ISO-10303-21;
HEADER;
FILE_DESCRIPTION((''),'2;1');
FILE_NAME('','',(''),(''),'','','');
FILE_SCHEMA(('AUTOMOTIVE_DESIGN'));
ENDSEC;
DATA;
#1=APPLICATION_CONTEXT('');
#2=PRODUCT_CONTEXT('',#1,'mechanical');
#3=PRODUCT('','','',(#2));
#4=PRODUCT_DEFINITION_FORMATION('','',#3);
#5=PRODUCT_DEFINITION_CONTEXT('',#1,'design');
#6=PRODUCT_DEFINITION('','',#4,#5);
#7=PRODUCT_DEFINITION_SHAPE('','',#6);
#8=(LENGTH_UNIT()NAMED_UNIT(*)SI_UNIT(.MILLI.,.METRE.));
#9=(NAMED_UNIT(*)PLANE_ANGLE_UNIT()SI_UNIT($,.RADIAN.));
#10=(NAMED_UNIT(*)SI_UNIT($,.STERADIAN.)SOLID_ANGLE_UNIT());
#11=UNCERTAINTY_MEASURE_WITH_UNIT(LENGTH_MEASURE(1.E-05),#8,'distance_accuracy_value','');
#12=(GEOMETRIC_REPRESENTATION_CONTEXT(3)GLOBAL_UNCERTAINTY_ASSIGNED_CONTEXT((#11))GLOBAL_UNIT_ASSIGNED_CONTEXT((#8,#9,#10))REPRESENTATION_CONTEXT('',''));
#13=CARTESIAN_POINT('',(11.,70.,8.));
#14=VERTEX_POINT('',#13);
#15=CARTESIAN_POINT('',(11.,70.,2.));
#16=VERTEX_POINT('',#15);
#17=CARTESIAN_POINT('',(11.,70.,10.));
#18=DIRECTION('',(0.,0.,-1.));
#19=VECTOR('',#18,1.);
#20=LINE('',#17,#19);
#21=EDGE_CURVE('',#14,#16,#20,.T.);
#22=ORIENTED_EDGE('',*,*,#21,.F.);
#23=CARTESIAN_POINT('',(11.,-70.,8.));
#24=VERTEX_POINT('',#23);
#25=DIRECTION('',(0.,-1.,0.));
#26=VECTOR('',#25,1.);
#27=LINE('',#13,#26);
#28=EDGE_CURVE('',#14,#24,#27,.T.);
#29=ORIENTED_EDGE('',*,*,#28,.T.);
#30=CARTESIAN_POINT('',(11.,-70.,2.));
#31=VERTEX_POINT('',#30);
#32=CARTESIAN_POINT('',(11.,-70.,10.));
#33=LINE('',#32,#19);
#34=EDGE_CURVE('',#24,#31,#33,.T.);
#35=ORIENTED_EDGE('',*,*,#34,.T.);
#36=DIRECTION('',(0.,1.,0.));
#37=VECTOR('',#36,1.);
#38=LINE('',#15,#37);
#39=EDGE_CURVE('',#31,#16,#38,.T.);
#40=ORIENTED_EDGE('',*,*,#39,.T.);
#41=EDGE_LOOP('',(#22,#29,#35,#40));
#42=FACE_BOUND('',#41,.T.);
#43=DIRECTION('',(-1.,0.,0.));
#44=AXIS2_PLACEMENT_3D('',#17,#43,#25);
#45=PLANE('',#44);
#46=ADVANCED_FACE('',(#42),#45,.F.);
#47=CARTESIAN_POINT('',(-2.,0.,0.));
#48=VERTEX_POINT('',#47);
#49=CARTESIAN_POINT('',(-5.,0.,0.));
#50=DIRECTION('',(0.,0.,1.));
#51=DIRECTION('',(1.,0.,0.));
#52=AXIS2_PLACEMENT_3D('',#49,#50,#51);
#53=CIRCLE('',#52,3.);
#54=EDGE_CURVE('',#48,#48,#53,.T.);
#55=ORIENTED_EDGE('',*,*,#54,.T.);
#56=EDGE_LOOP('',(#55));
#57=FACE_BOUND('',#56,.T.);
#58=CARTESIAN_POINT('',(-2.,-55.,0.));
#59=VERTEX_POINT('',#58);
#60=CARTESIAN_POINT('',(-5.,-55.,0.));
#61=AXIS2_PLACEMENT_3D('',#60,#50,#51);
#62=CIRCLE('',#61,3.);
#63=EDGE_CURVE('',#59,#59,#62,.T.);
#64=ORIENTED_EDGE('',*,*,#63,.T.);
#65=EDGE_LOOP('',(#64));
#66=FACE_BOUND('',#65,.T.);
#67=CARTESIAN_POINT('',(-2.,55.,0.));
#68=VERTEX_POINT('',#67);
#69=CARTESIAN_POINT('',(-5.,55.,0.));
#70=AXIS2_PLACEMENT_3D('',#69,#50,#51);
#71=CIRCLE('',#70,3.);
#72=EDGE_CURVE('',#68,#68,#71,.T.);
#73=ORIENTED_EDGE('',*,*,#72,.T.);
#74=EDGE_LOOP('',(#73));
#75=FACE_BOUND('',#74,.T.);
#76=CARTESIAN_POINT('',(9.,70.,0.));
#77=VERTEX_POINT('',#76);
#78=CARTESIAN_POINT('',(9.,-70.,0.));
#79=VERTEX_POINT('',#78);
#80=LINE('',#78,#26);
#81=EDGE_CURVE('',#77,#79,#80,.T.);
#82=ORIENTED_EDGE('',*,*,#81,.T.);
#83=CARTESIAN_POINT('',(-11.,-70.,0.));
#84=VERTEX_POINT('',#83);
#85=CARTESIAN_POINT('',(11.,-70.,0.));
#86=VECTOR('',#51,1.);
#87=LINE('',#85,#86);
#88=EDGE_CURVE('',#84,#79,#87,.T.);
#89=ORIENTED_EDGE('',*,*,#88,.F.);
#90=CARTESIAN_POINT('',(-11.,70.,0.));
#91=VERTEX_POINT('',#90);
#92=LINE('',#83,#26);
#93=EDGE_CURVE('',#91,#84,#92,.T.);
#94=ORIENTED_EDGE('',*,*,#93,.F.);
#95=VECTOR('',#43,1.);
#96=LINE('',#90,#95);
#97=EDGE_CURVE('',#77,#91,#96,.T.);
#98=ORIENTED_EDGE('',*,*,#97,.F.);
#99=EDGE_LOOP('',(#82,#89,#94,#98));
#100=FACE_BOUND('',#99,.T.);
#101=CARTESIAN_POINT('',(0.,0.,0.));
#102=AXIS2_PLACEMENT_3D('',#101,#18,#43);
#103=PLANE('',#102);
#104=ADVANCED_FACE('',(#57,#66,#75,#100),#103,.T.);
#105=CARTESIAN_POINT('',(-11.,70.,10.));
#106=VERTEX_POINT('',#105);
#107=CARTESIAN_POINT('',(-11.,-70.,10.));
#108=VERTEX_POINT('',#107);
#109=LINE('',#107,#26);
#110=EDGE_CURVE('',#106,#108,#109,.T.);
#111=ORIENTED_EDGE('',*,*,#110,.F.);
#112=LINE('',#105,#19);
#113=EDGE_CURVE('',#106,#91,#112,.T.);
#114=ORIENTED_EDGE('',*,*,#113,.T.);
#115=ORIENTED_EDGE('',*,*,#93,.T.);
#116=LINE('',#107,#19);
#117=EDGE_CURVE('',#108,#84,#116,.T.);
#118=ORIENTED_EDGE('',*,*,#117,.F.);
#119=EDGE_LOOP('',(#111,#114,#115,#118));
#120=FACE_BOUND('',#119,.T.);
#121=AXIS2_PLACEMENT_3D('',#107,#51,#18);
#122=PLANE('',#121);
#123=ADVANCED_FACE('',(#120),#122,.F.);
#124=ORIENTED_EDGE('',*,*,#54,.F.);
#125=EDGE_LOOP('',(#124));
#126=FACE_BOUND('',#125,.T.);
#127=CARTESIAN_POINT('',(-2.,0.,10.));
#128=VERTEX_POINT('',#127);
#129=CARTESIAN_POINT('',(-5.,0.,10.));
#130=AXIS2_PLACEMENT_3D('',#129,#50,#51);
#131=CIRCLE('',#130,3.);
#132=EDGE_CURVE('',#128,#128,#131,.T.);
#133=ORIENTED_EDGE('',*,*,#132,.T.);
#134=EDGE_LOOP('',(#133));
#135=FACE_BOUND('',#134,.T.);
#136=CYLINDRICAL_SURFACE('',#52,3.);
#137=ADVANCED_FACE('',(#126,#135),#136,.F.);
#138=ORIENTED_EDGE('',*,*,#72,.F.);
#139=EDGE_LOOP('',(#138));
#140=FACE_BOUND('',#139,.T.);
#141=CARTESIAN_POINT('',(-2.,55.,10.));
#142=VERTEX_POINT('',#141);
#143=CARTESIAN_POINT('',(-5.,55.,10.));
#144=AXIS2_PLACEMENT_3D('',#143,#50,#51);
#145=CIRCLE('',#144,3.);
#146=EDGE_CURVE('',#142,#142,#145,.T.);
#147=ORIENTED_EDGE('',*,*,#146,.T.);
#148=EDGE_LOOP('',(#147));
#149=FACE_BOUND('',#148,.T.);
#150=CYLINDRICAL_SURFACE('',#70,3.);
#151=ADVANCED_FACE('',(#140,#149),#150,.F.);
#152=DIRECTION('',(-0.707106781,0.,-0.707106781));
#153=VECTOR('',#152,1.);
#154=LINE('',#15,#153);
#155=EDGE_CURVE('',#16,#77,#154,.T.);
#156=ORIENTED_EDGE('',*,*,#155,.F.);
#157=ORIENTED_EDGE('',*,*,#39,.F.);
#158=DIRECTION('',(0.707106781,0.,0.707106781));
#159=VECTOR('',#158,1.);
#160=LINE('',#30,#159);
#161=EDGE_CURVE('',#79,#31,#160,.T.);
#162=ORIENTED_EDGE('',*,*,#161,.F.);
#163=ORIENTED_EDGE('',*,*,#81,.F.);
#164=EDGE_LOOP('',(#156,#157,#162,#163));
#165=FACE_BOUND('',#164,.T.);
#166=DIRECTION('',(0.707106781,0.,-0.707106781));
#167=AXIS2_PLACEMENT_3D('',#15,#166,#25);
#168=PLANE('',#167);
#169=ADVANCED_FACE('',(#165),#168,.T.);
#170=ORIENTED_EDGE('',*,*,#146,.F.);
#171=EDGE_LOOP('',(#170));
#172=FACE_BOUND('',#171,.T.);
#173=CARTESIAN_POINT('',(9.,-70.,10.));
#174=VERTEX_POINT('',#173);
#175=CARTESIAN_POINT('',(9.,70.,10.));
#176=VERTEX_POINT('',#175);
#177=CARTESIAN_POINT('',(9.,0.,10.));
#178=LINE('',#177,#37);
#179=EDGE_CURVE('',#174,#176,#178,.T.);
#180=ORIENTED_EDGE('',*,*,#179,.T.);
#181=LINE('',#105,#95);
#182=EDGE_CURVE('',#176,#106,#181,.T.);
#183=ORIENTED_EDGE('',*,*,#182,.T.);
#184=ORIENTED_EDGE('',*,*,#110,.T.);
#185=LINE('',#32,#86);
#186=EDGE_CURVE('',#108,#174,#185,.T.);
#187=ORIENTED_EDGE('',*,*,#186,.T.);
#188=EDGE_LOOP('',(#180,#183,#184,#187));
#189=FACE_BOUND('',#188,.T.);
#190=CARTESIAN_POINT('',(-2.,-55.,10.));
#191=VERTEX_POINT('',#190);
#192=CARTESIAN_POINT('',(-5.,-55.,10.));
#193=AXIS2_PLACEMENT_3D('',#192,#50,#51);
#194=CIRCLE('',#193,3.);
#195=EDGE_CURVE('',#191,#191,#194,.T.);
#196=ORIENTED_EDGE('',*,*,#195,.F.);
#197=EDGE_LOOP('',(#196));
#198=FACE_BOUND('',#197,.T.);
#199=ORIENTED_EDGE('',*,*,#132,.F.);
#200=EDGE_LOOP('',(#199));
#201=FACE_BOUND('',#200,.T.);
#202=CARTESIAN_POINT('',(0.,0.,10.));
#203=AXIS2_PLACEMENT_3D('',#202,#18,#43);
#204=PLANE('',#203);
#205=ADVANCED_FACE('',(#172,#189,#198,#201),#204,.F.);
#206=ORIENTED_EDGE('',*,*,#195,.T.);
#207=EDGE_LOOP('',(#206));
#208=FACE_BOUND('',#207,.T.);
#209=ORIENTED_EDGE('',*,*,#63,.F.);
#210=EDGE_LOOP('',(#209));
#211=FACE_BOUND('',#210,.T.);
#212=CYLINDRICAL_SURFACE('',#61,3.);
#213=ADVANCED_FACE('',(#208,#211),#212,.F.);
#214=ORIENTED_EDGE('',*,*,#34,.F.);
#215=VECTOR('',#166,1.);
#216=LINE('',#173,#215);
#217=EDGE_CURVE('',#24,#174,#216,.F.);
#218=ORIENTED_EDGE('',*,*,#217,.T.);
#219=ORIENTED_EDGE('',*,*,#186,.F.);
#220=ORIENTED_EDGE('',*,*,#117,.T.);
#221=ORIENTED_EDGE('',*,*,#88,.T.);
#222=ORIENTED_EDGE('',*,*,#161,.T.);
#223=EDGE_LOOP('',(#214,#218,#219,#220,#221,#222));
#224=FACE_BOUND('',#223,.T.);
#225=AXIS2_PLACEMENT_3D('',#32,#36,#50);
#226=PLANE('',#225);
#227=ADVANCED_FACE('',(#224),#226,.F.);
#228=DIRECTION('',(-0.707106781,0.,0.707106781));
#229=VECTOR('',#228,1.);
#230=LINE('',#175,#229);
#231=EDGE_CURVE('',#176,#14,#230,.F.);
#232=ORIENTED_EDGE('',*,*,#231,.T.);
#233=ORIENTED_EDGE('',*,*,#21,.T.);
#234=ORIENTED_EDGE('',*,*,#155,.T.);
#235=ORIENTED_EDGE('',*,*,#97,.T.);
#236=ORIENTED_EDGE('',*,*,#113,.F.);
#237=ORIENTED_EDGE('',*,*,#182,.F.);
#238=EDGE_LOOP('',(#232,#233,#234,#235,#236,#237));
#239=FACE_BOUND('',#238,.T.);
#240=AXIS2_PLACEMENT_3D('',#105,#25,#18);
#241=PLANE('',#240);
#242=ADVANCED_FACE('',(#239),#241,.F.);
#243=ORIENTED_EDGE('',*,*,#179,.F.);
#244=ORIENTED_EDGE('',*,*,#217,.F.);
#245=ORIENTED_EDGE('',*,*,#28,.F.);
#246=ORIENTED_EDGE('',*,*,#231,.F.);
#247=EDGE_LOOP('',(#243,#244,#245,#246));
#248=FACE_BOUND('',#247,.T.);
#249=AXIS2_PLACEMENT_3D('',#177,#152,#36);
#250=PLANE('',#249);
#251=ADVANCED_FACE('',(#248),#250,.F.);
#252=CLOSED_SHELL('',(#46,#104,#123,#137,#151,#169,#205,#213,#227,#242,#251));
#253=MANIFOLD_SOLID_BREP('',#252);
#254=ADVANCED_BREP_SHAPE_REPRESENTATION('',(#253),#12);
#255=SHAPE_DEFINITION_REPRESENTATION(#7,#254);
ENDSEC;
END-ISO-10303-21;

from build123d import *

# Parameters (mm, degrees)
SKETCH1_W           = 22
SKETCH1_H           = 140
BOSS_EXTRUDE1_DEPTH = 10
CHAMFER1_SIZE       = 2
SKETCH2_R           = 3
CUT_EXTRUDE1_DEPTH  = 11


with BuildPart() as part:
    # Sketch1 → Boss-Extrude1 (new body)
    with BuildSketch(Plane.XY):
        Rectangle(SKETCH1_W, SKETCH1_H)
    extrude(amount=BOSS_EXTRUDE1_DEPTH)

    # Chamfer1
    chamfer1_edges = [part.edges().sort_by_distance(p)[0] for p in [
        (11, 0, 0),
        (11, 0, 10),
    ]]
    chamfer(chamfer1_edges, length=CHAMFER1_SIZE)

    # Sketch2 → Cut-Extrude1 (cut, through all)
    with BuildSketch(Plane.XY.offset(10)):
        with Locations((-5, 55)):
            Circle(SKETCH2_R)
        with Locations((-5, 0)):
            Circle(SKETCH2_R)
        with Locations((-5, -55)):
            Circle(SKETCH2_R)
    extrude(amount=-CUT_EXTRUDE1_DEPTH, mode=Mode.SUBTRACT)


solid = part.part
